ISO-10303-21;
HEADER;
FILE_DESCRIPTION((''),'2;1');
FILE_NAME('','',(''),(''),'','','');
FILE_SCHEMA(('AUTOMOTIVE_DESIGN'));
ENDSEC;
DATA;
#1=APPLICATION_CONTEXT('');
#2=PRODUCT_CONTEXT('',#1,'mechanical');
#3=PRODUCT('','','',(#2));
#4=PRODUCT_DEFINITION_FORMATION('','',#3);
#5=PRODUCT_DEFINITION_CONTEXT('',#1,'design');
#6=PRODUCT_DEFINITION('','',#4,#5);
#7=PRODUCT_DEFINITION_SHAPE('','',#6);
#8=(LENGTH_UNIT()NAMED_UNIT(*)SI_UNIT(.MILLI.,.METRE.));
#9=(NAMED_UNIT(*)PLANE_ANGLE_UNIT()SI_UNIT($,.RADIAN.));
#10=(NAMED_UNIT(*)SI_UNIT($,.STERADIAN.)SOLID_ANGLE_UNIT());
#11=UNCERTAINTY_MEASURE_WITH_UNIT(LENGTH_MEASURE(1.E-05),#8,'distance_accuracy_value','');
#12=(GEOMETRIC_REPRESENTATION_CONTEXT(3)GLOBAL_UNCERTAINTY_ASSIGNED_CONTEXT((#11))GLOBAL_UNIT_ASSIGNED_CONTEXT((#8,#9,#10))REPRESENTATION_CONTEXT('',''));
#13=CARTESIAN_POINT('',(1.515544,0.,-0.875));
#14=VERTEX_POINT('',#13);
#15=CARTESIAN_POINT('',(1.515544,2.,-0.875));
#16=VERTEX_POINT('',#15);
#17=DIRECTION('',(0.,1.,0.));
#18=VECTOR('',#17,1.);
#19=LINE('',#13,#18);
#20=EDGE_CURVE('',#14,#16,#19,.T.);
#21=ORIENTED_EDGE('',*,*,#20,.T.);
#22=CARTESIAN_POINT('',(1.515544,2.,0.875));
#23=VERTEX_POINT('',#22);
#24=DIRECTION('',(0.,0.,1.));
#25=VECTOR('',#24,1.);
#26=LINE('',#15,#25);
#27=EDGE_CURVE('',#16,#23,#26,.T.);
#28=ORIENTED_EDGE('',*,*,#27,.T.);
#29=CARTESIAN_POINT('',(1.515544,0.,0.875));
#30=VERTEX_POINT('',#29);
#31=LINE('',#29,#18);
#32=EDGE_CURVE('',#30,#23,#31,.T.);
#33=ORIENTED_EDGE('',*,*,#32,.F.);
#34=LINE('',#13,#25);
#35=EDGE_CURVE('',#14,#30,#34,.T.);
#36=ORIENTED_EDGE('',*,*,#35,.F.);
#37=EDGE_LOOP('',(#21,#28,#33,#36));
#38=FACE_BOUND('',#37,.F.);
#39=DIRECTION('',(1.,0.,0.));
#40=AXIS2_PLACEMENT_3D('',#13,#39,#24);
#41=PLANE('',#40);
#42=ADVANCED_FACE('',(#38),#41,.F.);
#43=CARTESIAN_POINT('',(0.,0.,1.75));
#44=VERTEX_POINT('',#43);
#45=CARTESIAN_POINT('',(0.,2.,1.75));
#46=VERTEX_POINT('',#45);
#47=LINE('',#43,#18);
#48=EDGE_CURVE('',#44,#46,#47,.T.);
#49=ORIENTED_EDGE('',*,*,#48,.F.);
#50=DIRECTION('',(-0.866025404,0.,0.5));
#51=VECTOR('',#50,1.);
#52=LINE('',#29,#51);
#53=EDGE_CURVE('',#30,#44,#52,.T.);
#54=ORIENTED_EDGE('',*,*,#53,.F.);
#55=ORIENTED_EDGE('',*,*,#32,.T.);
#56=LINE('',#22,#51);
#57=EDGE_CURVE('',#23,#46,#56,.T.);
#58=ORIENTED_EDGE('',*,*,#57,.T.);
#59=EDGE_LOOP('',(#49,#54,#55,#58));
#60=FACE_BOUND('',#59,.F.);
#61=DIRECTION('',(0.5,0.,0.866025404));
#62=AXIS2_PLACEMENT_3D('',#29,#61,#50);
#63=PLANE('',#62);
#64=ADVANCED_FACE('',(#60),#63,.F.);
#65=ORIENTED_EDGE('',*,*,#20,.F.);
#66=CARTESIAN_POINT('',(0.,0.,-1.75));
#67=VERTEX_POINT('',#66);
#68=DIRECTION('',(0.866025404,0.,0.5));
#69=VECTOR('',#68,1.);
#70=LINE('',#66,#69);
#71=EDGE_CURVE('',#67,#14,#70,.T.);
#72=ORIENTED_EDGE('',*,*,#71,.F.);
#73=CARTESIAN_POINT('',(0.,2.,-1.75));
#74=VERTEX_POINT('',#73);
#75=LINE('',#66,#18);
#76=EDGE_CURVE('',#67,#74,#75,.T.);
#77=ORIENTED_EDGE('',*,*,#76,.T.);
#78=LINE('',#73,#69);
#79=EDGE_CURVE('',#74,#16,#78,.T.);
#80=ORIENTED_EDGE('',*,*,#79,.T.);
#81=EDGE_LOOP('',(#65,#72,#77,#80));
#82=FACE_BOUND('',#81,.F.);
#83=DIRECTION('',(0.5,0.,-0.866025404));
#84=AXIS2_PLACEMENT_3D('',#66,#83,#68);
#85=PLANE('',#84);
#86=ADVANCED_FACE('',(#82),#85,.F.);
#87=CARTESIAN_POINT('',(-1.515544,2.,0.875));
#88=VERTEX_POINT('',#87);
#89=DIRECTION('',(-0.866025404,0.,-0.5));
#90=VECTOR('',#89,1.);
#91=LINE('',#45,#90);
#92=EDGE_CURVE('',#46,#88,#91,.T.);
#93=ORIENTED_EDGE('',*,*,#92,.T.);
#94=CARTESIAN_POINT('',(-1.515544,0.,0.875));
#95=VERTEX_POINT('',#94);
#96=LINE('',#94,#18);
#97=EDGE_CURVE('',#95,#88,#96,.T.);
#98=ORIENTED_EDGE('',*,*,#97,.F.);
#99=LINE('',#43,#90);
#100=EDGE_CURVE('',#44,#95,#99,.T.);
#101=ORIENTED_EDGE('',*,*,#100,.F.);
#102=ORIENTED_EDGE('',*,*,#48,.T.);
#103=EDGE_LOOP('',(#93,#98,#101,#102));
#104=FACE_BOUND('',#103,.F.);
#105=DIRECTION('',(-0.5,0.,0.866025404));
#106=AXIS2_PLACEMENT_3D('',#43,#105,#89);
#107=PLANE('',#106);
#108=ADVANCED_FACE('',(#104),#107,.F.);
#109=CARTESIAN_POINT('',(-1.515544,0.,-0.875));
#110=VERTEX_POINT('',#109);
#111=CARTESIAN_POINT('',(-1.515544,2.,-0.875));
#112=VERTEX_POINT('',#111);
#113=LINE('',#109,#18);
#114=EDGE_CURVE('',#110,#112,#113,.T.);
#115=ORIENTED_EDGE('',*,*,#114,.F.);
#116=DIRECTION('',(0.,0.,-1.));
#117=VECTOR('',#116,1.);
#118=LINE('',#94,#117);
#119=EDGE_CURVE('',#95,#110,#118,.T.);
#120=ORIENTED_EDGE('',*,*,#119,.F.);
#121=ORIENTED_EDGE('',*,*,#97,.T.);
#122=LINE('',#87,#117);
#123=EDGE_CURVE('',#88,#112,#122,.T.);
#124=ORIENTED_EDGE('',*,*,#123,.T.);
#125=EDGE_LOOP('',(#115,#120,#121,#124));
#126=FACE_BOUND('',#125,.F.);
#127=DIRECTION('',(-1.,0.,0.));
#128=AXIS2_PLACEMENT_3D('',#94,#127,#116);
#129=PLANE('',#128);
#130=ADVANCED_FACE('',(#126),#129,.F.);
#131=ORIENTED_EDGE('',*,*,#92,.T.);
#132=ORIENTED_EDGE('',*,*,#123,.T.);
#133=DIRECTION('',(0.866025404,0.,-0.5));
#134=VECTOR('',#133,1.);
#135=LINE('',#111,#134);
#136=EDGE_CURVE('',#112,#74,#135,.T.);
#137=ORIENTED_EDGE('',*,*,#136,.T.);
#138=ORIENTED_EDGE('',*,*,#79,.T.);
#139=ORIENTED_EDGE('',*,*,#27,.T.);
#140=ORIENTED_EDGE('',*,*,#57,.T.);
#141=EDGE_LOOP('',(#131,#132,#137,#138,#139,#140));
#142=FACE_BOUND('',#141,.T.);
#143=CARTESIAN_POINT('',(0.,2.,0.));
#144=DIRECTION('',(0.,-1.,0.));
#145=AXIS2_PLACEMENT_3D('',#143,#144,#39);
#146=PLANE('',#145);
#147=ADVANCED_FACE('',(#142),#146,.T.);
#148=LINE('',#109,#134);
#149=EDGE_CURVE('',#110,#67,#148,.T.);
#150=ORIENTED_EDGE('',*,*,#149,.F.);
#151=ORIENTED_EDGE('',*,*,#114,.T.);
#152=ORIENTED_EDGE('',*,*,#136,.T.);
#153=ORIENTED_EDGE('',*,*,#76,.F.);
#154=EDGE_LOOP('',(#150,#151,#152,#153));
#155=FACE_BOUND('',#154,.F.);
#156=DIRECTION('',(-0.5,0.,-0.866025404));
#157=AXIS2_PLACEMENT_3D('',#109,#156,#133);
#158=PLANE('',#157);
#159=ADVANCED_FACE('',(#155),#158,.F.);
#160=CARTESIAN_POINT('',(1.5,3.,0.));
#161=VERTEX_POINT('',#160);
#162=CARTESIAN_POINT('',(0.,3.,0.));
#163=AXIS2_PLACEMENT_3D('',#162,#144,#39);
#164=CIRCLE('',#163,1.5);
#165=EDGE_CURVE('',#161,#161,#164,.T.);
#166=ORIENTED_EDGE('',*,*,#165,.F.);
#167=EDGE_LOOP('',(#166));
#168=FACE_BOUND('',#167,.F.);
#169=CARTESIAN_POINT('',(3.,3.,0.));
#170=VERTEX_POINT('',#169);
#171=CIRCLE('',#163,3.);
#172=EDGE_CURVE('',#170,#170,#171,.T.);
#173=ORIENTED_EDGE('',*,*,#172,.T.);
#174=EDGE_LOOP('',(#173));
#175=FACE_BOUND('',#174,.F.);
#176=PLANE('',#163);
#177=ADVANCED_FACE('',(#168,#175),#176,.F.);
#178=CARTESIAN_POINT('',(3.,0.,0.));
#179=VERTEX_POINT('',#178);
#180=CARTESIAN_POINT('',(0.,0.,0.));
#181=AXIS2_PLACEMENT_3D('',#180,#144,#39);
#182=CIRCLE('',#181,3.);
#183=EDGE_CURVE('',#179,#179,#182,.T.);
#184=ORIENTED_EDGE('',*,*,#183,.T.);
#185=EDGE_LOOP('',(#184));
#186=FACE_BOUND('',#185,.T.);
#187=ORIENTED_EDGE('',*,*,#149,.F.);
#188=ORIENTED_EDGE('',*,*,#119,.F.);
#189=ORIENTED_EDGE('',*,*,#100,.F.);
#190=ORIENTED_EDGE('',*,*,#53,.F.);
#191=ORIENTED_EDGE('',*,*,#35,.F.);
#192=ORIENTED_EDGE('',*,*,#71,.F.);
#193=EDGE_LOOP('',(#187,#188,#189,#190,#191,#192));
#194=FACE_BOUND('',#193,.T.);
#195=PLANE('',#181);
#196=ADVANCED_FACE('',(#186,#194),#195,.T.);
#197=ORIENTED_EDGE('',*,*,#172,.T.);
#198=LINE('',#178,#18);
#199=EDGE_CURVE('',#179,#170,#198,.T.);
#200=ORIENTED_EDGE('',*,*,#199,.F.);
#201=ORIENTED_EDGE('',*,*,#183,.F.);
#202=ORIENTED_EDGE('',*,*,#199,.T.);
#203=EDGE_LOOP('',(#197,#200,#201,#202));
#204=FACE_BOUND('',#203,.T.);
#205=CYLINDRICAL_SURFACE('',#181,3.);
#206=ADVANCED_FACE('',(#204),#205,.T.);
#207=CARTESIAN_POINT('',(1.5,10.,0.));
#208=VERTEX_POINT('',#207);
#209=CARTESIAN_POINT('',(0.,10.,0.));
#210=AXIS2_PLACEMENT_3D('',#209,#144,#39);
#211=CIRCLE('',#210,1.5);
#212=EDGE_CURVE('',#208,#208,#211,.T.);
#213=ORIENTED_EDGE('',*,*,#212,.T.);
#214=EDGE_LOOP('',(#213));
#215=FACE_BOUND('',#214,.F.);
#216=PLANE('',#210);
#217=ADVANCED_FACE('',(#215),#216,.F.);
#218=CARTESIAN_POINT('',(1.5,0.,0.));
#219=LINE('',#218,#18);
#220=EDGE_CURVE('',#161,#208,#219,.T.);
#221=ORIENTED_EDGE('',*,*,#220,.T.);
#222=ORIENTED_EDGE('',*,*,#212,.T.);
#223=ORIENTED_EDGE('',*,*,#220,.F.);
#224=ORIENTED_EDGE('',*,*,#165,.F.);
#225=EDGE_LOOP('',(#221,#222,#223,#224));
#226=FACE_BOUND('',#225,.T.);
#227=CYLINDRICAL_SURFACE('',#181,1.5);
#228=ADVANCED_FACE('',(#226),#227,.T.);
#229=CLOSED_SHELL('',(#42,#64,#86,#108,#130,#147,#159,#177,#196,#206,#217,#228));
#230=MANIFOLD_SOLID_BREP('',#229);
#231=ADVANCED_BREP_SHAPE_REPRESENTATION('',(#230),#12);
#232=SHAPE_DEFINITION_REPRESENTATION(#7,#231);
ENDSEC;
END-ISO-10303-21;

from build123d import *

# Parameters (mm, degrees)
F0_R     = 1.5
F1_DEPTH = 10
F2_R     = 3
F2_R_2   = 1.5
F3_DEPTH = 3
F4_R     = 1.5
F5_DEPTH = 2


with BuildPart() as f1:
    # F0 (on Front) → F1 (new body)
    with BuildSketch(Plane.XZ):
        Circle(F0_R)
    extrude(amount=-F1_DEPTH)

    # F2 (on face) → F3 (join)
    with BuildSketch(Plane.XZ):
        Circle(F2_R)
        Polygon((1.375, 2.3815698604), (2.75, 0), (1.375, -2.3815698604), (-1.375, -2.3815698604), (-2.75, 0), (-1.375, 2.3815698604), align=None, mode=Mode.SUBTRACT)
        Polygon((1.375, -2.3815698604), (2.75, 0), (1.375, 2.3815698604), (-1.375, 2.3815698604), (-2.75, 0), (-1.375, -2.3815698604), align=None)
        Circle(F2_R_2, mode=Mode.SUBTRACT)
    extrude(amount=-F3_DEPTH)

    # F4 (on face) → F5 (cut)
    with BuildSketch(Plane.XZ):
        Polygon((-1.5155444566, -0.875), (0, -1.75), (1.5155444566, -0.875), (1.5155444566, 0.875), (0, 1.75), (-1.5155444566, 0.875), align=None)
        Circle(F4_R, mode=Mode.SUBTRACT)
        Circle(F4_R)
    extrude(amount=-F5_DEPTH, mode=Mode.SUBTRACT)


solid = f1.part
